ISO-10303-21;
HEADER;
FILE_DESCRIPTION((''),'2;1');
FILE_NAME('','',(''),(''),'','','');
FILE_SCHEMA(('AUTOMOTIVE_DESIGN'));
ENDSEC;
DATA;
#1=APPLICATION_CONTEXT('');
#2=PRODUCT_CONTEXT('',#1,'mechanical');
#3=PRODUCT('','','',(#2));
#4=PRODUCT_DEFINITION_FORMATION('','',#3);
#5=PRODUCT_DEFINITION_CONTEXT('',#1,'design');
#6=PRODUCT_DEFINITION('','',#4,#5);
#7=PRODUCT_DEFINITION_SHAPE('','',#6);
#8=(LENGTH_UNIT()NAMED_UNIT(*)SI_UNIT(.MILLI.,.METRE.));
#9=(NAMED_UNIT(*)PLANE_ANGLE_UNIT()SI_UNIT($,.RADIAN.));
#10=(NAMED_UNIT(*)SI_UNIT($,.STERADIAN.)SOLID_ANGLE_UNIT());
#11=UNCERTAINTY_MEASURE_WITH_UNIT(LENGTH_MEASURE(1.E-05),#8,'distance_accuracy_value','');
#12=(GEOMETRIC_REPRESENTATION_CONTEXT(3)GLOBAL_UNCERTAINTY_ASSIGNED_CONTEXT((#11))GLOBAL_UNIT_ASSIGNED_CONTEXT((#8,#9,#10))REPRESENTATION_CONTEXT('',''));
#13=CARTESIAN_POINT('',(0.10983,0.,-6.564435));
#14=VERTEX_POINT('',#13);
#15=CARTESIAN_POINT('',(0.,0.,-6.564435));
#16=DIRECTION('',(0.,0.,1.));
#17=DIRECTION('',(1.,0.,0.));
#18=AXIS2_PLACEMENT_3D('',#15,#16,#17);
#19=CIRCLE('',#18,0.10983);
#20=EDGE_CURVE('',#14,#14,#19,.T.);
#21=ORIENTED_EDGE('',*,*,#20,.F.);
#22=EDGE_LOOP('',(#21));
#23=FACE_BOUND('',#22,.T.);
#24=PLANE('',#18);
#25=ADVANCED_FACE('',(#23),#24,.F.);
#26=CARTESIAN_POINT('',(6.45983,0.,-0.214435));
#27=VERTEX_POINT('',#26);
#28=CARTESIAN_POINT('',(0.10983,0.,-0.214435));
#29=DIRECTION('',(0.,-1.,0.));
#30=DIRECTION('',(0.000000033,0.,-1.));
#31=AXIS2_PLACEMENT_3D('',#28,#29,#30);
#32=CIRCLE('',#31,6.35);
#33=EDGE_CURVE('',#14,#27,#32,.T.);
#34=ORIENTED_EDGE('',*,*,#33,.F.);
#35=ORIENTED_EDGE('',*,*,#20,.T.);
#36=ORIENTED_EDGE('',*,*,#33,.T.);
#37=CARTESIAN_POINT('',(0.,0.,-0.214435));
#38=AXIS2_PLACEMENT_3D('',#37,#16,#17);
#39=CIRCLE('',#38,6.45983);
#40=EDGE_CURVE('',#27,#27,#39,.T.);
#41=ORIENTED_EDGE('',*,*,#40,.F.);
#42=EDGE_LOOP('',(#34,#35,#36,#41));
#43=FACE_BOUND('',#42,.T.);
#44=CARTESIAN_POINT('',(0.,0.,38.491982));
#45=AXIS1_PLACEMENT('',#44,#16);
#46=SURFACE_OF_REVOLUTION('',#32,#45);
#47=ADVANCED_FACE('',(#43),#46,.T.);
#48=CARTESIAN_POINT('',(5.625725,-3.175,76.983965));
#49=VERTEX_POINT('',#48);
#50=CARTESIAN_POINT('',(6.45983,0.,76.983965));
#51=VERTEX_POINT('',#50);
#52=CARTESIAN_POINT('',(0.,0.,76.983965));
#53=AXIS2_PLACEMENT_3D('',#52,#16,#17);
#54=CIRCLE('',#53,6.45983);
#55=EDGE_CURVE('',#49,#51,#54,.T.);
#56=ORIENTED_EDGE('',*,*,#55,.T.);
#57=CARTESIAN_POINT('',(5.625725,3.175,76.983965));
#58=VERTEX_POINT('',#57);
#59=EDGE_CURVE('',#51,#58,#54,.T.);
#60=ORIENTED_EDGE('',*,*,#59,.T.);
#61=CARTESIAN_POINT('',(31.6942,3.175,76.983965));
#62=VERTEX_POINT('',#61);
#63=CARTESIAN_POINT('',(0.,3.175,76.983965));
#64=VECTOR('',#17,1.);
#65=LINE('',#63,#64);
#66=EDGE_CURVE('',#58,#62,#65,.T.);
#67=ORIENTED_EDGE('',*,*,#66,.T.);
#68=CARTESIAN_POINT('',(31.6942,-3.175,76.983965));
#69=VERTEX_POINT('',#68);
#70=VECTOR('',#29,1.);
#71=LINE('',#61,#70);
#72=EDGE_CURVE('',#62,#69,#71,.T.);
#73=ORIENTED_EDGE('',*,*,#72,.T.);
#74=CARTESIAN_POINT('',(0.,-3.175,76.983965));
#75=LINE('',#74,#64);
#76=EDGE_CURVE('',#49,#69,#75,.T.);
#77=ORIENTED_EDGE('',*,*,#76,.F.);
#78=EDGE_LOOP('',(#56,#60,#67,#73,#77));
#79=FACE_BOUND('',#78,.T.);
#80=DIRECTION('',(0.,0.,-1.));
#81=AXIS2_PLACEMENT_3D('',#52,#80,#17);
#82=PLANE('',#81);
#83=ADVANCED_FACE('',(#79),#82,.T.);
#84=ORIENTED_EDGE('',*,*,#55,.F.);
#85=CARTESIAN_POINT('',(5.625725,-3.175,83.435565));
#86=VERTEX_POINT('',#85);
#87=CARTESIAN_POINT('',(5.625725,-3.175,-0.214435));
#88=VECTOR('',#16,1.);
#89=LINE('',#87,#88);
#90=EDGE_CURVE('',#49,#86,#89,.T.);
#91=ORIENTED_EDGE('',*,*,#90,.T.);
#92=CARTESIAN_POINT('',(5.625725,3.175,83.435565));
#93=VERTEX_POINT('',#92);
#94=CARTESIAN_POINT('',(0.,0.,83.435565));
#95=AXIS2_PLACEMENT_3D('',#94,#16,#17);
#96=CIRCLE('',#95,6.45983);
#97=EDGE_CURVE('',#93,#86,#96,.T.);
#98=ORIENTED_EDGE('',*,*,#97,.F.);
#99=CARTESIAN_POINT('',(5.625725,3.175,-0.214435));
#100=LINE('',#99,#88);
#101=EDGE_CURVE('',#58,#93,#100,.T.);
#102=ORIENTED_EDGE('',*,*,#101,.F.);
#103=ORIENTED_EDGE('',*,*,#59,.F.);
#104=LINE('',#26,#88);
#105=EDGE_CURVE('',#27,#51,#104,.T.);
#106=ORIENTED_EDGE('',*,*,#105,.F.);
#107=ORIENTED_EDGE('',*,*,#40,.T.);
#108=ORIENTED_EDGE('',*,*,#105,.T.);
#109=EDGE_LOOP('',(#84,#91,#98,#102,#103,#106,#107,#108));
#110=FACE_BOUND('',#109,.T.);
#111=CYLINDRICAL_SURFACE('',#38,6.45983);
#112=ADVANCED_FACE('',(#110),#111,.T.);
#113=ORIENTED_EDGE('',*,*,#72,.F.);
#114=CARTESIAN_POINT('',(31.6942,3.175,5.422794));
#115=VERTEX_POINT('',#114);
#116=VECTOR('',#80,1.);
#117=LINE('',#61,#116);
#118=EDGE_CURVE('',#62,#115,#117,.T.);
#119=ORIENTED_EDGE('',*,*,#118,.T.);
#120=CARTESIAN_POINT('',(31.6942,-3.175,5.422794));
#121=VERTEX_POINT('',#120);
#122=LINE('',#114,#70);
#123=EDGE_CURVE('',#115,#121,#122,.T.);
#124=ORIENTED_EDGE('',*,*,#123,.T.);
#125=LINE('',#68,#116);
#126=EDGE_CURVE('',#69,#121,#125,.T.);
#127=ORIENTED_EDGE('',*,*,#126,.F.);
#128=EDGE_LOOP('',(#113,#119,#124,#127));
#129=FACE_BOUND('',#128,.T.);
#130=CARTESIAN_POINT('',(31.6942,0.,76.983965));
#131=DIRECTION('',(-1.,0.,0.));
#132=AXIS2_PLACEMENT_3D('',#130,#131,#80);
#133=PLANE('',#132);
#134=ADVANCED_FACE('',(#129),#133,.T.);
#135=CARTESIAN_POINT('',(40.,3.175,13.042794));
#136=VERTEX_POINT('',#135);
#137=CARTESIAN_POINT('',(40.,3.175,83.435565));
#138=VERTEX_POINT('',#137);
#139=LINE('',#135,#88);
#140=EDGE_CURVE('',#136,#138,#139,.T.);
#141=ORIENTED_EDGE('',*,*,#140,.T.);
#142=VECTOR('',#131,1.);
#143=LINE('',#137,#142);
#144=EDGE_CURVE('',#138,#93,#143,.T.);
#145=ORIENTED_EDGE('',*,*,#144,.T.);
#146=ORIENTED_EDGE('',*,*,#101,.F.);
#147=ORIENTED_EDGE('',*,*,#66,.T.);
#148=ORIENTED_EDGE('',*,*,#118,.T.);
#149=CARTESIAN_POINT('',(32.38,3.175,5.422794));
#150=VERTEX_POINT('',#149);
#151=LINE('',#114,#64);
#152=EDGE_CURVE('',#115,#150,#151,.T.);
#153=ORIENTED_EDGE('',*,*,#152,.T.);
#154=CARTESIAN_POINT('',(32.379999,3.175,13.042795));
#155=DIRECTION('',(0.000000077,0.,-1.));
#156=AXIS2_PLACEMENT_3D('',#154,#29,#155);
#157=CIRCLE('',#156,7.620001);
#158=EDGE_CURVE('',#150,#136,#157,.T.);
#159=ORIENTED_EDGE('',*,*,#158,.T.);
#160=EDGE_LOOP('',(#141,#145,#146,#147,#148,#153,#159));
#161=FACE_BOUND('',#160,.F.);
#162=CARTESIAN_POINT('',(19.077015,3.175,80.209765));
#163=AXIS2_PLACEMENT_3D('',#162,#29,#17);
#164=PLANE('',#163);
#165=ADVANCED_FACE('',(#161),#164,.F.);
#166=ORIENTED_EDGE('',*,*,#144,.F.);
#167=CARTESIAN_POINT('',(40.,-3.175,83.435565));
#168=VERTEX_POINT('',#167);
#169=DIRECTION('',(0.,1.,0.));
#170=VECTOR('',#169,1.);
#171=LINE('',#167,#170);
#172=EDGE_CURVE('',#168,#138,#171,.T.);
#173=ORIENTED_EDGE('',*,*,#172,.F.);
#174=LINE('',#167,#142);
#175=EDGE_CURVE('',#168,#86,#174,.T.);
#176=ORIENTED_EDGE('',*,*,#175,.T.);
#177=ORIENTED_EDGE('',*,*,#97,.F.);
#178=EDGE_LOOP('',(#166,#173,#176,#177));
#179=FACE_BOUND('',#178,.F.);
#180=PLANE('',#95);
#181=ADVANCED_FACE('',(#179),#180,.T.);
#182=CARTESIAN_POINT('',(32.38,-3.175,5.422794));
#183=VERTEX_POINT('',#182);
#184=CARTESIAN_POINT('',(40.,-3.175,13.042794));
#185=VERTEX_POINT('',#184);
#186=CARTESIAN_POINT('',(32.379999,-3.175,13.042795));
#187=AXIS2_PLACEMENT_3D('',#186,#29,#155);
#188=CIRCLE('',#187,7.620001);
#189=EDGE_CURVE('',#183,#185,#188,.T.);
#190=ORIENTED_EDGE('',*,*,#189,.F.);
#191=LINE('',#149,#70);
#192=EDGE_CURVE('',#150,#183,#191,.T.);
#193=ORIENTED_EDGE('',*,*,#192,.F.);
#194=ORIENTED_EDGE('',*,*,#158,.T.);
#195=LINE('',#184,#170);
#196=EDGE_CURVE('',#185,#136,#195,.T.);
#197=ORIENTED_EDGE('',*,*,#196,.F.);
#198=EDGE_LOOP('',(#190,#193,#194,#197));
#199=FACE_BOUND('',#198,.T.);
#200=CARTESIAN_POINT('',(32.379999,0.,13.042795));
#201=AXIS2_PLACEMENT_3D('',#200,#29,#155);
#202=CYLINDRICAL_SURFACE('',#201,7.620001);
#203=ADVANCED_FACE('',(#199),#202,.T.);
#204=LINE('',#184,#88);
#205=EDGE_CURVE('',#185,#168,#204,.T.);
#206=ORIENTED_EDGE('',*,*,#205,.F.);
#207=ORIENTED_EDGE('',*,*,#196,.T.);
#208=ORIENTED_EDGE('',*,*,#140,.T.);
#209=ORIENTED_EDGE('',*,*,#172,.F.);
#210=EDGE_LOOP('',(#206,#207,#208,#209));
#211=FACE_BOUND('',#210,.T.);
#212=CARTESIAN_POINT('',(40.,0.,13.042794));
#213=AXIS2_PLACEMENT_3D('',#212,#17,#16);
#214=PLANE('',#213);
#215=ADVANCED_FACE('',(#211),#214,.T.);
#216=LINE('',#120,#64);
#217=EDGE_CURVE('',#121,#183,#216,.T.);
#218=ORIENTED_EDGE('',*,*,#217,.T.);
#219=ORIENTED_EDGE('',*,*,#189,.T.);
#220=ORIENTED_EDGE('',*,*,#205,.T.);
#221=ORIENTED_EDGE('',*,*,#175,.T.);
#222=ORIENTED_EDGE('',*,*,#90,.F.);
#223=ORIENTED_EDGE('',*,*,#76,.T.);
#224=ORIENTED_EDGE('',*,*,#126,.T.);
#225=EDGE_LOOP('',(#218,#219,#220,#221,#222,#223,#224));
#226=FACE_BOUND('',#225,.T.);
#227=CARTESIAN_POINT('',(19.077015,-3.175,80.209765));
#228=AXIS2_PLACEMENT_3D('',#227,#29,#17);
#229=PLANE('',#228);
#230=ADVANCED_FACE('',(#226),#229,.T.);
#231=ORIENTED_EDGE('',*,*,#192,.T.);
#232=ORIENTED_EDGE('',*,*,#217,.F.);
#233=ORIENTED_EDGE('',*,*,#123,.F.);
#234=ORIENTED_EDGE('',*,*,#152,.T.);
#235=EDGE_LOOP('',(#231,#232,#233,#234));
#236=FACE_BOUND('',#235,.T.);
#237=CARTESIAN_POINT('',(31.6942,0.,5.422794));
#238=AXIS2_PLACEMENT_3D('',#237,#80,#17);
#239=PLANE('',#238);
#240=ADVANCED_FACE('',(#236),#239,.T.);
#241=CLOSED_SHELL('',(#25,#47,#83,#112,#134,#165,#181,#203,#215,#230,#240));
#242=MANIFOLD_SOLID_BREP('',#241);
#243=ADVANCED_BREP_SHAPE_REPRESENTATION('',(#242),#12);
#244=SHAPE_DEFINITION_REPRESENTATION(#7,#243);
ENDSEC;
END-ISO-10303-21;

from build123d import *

# Parameters (mm, degrees)
F0_W     = 6.45983
F0_H     = 6.4516
F0_W_2   = 25.23437
F0_W_3   = 8.3058
F2_DEPTH = 3.175


with BuildPart() as f1:
    # F0 (on Front) → F1 (revolve)
    with BuildSketch(Plane.XZ):
        with BuildLine():
            Line((6.45983, 76.983965), (0, 76.983965))
            Line((0, 76.983965), (0, 0))
            Line((0, 0), (0, -6.564435))
            Line((0, -6.564435), (0.10983, -6.564435))
            ThreePointArc((0.10983, -6.564435), (4.599958, -4.704563), (6.45983, -0.214435))
            Line((6.45983, -0.214435), (6.45983, 76.983965))
        make_face()
        with Locations((3.229915, 80.209765)):
            Rectangle(F0_W, F0_H)
    revolve(axis=Axis((0, 0, 38.491982), (0, 0, 1)))

    # F0 (on Front) → F2 (join, symmetric)
    with BuildSketch(Plane.XZ):
        with Locations((19.077015, 80.209765)):
            Rectangle(F0_W_2, F0_H)
        with Locations((3.229915, 80.209765)):
            Rectangle(F0_W, F0_H)
        with Locations((35.8471, 80.209765)):
            Rectangle(F0_W_3, F0_H)
        with BuildLine():
            Line((40, 76.983965), (31.6942, 76.983965))
            Line((31.6942, 76.983965), (31.6942, 5.422794))
            Line((31.6942, 5.422794), (32.38, 5.422794))
            ThreePointArc((32.38, 5.422794), (37.768154, 7.654641), (40, 13.042794))
            Line((40, 13.042794), (40, 76.983965))
        make_face()
    extrude(amount=F2_DEPTH, both=True)


solid = f1.part
